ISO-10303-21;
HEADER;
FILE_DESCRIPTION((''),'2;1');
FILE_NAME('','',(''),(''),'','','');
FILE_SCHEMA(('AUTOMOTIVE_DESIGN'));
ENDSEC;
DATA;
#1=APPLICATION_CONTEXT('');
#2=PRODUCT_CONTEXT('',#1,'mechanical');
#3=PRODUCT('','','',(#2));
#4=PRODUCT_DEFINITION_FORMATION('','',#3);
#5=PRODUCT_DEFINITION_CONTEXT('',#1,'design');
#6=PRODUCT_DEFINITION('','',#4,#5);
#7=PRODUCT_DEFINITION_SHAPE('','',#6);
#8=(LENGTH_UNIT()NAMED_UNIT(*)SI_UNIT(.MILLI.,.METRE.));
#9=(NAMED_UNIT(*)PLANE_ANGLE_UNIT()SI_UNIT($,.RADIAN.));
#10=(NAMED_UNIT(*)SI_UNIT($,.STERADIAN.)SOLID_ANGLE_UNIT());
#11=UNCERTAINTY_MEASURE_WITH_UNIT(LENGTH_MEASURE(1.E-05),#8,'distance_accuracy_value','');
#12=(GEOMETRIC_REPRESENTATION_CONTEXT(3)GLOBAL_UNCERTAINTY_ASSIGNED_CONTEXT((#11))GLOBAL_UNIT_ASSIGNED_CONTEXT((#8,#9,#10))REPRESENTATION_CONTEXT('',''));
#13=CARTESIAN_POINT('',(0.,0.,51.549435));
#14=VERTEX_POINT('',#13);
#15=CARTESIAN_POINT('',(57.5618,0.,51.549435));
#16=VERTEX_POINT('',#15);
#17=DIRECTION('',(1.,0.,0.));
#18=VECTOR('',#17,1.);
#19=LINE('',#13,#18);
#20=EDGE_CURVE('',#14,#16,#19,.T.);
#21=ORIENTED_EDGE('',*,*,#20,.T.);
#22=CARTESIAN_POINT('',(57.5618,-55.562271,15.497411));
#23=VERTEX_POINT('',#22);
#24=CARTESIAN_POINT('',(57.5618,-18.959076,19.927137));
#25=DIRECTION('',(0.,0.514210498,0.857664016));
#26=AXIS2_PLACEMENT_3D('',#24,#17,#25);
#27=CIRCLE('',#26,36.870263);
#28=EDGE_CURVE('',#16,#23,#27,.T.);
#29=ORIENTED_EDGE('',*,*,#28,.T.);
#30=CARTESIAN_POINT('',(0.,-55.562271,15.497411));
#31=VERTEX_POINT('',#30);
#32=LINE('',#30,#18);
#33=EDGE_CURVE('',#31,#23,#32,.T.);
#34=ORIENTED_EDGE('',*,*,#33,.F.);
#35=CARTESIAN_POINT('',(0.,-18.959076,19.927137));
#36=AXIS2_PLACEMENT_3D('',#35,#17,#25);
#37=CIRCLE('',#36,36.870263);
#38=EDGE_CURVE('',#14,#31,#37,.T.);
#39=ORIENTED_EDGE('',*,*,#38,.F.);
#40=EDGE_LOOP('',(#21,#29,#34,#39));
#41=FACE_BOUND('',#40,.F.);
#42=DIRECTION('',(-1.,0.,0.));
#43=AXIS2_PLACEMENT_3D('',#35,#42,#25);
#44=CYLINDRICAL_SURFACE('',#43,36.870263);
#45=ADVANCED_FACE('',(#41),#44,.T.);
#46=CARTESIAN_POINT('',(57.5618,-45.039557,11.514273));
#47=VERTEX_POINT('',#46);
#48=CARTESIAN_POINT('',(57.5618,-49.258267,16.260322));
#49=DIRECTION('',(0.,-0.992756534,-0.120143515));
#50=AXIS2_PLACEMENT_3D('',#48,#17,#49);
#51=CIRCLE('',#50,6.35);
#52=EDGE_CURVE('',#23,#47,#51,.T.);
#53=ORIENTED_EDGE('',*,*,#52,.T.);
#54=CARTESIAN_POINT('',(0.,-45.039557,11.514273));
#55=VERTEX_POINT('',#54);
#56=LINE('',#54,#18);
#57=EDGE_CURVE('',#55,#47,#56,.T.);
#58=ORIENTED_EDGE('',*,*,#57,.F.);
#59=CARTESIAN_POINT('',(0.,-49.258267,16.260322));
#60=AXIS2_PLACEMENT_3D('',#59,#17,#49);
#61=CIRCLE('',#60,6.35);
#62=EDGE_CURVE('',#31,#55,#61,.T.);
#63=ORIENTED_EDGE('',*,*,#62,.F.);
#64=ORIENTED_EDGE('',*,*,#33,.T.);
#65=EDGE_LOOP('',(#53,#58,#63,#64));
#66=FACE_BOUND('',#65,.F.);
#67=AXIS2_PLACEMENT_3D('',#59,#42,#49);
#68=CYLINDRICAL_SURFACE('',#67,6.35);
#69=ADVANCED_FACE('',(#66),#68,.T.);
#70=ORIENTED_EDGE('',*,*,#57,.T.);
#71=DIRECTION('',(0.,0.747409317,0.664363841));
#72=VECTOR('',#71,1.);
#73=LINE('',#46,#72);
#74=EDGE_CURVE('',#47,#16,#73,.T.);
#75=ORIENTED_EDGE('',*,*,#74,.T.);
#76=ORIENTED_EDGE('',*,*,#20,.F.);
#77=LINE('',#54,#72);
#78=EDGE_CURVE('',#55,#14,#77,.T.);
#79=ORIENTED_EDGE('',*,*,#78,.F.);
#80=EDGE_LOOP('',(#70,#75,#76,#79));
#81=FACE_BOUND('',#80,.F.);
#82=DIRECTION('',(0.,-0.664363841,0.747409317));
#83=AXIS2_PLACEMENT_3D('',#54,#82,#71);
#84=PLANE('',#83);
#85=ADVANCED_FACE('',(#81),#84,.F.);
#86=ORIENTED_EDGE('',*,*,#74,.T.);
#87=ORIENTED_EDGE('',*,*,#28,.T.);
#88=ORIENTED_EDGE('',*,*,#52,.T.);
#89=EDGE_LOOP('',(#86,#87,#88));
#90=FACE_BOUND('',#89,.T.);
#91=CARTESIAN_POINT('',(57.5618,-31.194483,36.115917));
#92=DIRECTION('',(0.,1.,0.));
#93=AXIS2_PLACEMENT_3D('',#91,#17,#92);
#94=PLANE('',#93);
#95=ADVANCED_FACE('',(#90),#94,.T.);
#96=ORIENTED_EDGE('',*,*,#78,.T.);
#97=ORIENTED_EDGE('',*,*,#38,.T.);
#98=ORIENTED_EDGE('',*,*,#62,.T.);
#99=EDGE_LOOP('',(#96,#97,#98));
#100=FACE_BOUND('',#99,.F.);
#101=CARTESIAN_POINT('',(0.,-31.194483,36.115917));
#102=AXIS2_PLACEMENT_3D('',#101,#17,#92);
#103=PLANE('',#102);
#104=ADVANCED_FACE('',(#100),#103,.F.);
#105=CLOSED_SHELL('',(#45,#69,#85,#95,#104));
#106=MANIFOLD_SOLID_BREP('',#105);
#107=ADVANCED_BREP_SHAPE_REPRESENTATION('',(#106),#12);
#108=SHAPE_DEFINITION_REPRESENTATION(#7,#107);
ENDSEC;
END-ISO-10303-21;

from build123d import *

# Parameters (mm, degrees)
F1_DEPTH = 57.5618


with BuildPart() as f1:
    # F0 (on Right) → F1 (new body)
    with BuildSketch(Plane.YZ):
        with BuildLine():
            Line((-45.039557, 11.514273), (0, 51.549435))
            ThreePointArc((0, 51.549435), (-39.028103, 50.856904), (-55.562271, 15.497411))
            ThreePointArc((-55.562271, 15.497411), (-51.506257, 10.321548), (-45.039557, 11.514273))
        make_face()
    extrude(amount=F1_DEPTH)


solid = f1.part
